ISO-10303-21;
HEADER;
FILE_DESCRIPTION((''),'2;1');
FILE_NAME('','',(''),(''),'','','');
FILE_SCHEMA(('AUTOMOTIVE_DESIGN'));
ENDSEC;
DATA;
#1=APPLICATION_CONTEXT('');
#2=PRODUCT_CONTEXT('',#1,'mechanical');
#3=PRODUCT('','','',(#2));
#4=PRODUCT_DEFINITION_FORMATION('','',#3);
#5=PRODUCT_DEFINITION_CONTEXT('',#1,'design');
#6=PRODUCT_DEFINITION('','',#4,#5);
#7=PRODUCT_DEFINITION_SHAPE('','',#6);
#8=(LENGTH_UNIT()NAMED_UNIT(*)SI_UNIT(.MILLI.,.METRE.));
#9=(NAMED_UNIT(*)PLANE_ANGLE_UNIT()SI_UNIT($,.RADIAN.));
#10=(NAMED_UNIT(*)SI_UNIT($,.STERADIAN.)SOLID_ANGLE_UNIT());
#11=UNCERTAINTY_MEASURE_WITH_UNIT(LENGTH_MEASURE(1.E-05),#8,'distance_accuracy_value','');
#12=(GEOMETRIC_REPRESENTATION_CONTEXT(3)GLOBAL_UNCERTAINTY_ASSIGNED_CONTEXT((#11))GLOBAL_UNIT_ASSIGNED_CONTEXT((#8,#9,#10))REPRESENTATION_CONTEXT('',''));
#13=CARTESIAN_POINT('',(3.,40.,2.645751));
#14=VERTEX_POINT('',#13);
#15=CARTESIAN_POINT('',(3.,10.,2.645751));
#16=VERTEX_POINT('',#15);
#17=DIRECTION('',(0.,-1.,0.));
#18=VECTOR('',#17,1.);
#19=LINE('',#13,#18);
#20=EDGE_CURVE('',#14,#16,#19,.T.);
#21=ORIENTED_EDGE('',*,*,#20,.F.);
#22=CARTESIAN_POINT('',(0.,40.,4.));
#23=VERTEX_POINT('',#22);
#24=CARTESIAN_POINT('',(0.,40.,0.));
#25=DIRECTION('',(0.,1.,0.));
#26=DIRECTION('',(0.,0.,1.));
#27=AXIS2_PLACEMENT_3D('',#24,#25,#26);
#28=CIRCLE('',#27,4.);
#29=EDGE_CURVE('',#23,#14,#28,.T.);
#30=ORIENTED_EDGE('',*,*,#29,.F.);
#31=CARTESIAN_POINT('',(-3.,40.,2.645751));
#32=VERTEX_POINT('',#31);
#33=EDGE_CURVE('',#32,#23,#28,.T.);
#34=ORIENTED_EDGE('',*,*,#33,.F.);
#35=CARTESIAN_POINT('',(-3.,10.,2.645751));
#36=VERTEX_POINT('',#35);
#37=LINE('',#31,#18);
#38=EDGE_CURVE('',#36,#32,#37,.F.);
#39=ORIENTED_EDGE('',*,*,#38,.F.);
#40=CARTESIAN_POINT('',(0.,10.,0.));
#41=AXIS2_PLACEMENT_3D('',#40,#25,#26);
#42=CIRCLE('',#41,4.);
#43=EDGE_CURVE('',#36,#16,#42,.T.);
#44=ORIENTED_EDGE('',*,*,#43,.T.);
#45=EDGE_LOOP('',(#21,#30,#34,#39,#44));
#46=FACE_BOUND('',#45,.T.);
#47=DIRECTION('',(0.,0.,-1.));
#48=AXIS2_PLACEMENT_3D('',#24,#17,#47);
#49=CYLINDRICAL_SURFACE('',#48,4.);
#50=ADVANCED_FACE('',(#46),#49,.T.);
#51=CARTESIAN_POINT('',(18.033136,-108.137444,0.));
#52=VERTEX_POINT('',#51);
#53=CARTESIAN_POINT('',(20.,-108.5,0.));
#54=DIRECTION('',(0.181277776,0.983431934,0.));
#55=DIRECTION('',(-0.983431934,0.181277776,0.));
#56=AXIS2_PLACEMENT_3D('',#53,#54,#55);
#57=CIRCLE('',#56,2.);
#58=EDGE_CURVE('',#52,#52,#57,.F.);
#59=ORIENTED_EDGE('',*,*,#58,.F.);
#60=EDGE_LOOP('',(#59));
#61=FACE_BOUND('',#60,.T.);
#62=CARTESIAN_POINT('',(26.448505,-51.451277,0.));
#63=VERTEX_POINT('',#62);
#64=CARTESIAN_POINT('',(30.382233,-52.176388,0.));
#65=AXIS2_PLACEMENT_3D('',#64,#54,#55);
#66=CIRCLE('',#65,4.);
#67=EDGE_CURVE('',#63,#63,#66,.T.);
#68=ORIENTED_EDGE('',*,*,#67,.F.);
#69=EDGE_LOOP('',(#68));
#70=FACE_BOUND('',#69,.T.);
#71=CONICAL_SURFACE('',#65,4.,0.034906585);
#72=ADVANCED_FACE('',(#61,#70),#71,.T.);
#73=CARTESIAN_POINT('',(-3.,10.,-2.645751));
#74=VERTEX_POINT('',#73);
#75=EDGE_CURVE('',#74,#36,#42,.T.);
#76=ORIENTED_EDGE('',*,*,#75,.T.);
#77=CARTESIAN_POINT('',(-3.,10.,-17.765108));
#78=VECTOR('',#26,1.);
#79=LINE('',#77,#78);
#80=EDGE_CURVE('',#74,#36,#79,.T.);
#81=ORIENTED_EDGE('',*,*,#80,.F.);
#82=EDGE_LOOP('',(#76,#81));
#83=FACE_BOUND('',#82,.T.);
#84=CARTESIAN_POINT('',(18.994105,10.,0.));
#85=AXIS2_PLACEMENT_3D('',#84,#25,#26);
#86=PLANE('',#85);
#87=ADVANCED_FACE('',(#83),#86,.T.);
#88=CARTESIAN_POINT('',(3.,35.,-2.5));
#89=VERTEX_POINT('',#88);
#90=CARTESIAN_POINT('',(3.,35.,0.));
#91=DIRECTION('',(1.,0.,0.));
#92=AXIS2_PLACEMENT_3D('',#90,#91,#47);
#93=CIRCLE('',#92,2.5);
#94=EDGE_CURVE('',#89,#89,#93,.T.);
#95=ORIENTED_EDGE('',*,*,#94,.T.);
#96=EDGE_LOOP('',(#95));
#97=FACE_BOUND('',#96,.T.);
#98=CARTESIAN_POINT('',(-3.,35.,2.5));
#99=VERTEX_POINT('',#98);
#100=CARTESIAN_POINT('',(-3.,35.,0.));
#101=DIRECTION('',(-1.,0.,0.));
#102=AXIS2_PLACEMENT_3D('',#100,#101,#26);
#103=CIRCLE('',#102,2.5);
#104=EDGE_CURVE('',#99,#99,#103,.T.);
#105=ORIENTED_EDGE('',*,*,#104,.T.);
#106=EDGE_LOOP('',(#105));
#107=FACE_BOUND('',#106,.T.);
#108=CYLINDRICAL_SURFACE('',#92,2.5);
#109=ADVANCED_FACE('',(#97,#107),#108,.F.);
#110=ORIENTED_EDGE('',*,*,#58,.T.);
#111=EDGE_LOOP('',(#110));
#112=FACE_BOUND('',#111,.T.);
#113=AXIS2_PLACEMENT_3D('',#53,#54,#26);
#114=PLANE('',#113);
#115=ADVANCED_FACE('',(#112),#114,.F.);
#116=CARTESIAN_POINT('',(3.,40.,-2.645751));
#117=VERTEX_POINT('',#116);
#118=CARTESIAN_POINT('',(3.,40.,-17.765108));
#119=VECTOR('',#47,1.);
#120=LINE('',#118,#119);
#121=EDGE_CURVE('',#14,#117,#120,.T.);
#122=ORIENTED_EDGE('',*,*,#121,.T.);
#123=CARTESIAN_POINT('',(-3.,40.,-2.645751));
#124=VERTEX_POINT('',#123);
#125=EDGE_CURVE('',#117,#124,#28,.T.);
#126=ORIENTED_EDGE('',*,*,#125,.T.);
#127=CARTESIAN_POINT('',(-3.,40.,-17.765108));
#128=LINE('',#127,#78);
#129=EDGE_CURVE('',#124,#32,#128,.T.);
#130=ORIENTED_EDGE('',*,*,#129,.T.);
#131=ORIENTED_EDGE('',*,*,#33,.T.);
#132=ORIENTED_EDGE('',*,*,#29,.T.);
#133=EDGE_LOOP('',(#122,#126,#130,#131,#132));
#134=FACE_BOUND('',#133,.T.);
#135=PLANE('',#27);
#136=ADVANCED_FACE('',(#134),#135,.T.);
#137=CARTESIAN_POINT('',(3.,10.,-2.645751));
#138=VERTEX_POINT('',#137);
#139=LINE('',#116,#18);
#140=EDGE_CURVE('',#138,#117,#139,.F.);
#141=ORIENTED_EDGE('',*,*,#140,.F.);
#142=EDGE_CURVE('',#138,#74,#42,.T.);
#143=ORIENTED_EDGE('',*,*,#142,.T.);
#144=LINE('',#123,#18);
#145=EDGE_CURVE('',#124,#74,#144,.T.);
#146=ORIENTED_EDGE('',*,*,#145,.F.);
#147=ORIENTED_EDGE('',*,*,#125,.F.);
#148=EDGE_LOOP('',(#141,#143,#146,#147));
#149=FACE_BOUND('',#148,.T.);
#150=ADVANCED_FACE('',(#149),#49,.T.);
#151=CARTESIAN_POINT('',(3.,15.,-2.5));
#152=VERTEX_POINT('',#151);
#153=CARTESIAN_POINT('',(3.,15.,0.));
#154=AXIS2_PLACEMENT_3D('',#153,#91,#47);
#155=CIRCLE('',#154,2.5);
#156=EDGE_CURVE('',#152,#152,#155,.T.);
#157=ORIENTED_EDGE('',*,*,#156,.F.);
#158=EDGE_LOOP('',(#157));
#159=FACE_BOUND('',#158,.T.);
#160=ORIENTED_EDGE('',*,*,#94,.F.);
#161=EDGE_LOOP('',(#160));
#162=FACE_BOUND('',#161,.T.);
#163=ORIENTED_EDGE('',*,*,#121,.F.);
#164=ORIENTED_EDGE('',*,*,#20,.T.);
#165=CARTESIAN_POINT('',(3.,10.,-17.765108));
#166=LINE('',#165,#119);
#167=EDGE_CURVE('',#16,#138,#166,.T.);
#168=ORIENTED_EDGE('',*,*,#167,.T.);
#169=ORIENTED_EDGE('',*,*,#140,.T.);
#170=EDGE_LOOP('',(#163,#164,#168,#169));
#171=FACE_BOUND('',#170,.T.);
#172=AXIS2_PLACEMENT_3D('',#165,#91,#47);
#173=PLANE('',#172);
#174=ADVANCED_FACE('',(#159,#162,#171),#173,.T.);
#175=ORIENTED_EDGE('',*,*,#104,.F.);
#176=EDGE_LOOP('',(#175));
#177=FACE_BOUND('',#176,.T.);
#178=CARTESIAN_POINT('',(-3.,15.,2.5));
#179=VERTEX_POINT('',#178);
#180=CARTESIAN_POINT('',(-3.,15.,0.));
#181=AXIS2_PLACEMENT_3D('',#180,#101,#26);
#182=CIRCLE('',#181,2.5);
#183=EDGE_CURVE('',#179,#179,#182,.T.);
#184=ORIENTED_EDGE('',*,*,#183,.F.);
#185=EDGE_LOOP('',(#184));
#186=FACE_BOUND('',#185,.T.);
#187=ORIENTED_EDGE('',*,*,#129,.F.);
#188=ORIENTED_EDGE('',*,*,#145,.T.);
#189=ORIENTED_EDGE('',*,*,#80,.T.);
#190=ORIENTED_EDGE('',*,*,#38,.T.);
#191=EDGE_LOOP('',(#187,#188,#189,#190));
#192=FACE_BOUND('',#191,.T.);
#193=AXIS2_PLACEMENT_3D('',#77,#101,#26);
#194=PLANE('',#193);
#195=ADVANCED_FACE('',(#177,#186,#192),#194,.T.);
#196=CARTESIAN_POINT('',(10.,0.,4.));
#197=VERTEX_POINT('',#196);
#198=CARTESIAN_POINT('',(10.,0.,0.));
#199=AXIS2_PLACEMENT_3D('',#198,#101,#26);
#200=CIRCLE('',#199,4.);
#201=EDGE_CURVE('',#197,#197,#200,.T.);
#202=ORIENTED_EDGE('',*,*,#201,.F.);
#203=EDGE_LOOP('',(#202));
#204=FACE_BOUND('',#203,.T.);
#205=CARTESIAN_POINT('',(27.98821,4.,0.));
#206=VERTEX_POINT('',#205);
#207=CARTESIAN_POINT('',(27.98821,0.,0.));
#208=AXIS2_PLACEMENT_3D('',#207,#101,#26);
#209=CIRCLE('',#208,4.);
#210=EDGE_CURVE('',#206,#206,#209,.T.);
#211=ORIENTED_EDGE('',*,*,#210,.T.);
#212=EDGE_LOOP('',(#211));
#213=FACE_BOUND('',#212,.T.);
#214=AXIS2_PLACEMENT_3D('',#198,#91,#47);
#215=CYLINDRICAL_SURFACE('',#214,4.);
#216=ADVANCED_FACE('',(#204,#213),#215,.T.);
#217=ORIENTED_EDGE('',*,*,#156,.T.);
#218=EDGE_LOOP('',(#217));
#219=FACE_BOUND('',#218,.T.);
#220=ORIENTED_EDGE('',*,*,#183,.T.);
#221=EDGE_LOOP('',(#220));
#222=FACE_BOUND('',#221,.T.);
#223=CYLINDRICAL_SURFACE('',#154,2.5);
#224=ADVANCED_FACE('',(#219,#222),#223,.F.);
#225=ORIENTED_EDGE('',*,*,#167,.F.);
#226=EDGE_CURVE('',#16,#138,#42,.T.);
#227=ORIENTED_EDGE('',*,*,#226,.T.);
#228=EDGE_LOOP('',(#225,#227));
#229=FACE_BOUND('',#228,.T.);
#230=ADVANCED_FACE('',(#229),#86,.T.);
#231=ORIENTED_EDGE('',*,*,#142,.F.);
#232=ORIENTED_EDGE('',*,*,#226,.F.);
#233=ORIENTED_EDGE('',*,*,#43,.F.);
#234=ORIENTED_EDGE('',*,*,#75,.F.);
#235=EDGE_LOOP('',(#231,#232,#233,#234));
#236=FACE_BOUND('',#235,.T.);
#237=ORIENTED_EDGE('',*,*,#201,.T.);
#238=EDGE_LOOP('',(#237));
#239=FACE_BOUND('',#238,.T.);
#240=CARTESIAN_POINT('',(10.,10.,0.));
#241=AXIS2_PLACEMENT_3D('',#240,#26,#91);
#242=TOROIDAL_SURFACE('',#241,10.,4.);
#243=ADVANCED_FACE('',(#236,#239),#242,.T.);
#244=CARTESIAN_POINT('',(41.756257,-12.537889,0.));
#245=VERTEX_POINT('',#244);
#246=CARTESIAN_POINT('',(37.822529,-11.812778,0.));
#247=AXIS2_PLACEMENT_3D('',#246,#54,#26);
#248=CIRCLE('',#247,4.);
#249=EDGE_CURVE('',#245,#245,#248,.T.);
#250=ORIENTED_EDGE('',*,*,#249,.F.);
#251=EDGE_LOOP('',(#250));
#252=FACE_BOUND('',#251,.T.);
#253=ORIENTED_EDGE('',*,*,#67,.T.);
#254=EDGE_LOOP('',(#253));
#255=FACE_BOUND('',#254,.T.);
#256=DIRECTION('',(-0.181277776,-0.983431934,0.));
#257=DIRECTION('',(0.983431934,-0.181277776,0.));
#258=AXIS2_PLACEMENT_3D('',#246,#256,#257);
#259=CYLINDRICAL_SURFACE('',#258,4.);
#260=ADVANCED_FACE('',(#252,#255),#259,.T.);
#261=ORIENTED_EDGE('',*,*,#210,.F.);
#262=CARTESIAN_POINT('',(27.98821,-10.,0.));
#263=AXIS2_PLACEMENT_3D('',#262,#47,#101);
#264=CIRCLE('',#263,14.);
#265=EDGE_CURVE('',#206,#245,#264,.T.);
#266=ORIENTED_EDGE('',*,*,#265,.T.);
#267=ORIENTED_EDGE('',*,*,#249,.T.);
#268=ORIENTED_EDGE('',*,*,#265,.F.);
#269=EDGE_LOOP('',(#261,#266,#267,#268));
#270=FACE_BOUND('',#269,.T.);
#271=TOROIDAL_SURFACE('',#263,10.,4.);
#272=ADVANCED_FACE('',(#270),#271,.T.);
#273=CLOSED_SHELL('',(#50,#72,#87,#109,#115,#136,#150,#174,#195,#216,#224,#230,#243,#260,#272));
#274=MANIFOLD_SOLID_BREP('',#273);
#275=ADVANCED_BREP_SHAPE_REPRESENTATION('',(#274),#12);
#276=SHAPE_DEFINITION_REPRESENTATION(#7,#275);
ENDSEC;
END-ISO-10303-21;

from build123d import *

# Parameters (mm, degrees)
SKETCH3_R             = 4
CHAMFER1_SIZE         = 2
CHAMFER1_SIZE2        = 57.272506566
SKETCH4_OUTSIDE_W     = 79.19
SKETCH4_OUTSIDE_H     = 41.202
SKETCH4_OUTSIDE_W_2   = 6
SKETCH4_OUTSIDE_H_2   = 35.530215116
EXTRUDE1_DEPTH        = 30
M6_TAPPED_HOLE1_D     = 5
M6_TAPPED_HOLE1_DEPTH = 9
M6_TAPPED_HOLE1_TIP   = 1.502151548


with BuildPart() as part:
    # Sweep1: sweep along a path in Sketch1
    with BuildLine(Plane.XY) as sweep1_path:
        Line((0, 40), (0, 10))
        ThreePointArc((0, 10), (2.928932188, 2.928932188), (10, 0))
        Line((10, 0), (27.98821011, 0))
        ThreePointArc((27.98821011, 0), (35.673513538, -3.601866584), (37.822529446, -11.812777758))
        Line((37.822529446, -11.812777758), (20, -108.5))
    # Sketch3 → Sweep1 (sweep)
    with BuildSketch(Plane(origin=(0, 40, 0), x_dir=(1, 0, 0), z_dir=(0, 1, 0))):
        Circle(SKETCH3_R)
    sweep(path=sweep1_path.line)

    # Chamfer1
    chamfer1_edges = [part.edges().sort_by_distance(p)[0] for p in [
        (16.066272266, -107.774888897, 0),
    ]]
    chamfer1_side = [part.faces().sort_by_distance(p)[0] for p in [
        (20, -108.5, 0),
    ]]
    chamfer(chamfer1_edges, length=CHAMFER1_SIZE, length2=CHAMFER1_SIZE2, reference=chamfer1_side[0])

    # Sketch4 outside → Extrude1 (cut)
    with BuildSketch(Plane(origin=(0, 40, 0), x_dir=(1, 0, 0), z_dir=(0, 1, 0))):
        with Locations((18.994, 0)):
            Rectangle(SKETCH4_OUTSIDE_W, SKETCH4_OUTSIDE_H)
        Rectangle(SKETCH4_OUTSIDE_W_2, SKETCH4_OUTSIDE_H_2, mode=Mode.SUBTRACT)
    extrude(amount=-EXTRUDE1_DEPTH, mode=Mode.SUBTRACT)

    # M6 Tapped Hole1
    with Locations(Plane(origin=(3, 0, 0), x_dir=(0, 0, -1), z_dir=(1, 0, 0))):
        with Locations((0, 35), (0, 15)):
            Hole(M6_TAPPED_HOLE1_D / 2, depth=M6_TAPPED_HOLE1_DEPTH)
            with Locations((0, 0, -(M6_TAPPED_HOLE1_DEPTH + M6_TAPPED_HOLE1_TIP / 2))):  # 118° drill point
                Cone(0, M6_TAPPED_HOLE1_D / 2, M6_TAPPED_HOLE1_TIP, mode=Mode.SUBTRACT)


solid = part.part
